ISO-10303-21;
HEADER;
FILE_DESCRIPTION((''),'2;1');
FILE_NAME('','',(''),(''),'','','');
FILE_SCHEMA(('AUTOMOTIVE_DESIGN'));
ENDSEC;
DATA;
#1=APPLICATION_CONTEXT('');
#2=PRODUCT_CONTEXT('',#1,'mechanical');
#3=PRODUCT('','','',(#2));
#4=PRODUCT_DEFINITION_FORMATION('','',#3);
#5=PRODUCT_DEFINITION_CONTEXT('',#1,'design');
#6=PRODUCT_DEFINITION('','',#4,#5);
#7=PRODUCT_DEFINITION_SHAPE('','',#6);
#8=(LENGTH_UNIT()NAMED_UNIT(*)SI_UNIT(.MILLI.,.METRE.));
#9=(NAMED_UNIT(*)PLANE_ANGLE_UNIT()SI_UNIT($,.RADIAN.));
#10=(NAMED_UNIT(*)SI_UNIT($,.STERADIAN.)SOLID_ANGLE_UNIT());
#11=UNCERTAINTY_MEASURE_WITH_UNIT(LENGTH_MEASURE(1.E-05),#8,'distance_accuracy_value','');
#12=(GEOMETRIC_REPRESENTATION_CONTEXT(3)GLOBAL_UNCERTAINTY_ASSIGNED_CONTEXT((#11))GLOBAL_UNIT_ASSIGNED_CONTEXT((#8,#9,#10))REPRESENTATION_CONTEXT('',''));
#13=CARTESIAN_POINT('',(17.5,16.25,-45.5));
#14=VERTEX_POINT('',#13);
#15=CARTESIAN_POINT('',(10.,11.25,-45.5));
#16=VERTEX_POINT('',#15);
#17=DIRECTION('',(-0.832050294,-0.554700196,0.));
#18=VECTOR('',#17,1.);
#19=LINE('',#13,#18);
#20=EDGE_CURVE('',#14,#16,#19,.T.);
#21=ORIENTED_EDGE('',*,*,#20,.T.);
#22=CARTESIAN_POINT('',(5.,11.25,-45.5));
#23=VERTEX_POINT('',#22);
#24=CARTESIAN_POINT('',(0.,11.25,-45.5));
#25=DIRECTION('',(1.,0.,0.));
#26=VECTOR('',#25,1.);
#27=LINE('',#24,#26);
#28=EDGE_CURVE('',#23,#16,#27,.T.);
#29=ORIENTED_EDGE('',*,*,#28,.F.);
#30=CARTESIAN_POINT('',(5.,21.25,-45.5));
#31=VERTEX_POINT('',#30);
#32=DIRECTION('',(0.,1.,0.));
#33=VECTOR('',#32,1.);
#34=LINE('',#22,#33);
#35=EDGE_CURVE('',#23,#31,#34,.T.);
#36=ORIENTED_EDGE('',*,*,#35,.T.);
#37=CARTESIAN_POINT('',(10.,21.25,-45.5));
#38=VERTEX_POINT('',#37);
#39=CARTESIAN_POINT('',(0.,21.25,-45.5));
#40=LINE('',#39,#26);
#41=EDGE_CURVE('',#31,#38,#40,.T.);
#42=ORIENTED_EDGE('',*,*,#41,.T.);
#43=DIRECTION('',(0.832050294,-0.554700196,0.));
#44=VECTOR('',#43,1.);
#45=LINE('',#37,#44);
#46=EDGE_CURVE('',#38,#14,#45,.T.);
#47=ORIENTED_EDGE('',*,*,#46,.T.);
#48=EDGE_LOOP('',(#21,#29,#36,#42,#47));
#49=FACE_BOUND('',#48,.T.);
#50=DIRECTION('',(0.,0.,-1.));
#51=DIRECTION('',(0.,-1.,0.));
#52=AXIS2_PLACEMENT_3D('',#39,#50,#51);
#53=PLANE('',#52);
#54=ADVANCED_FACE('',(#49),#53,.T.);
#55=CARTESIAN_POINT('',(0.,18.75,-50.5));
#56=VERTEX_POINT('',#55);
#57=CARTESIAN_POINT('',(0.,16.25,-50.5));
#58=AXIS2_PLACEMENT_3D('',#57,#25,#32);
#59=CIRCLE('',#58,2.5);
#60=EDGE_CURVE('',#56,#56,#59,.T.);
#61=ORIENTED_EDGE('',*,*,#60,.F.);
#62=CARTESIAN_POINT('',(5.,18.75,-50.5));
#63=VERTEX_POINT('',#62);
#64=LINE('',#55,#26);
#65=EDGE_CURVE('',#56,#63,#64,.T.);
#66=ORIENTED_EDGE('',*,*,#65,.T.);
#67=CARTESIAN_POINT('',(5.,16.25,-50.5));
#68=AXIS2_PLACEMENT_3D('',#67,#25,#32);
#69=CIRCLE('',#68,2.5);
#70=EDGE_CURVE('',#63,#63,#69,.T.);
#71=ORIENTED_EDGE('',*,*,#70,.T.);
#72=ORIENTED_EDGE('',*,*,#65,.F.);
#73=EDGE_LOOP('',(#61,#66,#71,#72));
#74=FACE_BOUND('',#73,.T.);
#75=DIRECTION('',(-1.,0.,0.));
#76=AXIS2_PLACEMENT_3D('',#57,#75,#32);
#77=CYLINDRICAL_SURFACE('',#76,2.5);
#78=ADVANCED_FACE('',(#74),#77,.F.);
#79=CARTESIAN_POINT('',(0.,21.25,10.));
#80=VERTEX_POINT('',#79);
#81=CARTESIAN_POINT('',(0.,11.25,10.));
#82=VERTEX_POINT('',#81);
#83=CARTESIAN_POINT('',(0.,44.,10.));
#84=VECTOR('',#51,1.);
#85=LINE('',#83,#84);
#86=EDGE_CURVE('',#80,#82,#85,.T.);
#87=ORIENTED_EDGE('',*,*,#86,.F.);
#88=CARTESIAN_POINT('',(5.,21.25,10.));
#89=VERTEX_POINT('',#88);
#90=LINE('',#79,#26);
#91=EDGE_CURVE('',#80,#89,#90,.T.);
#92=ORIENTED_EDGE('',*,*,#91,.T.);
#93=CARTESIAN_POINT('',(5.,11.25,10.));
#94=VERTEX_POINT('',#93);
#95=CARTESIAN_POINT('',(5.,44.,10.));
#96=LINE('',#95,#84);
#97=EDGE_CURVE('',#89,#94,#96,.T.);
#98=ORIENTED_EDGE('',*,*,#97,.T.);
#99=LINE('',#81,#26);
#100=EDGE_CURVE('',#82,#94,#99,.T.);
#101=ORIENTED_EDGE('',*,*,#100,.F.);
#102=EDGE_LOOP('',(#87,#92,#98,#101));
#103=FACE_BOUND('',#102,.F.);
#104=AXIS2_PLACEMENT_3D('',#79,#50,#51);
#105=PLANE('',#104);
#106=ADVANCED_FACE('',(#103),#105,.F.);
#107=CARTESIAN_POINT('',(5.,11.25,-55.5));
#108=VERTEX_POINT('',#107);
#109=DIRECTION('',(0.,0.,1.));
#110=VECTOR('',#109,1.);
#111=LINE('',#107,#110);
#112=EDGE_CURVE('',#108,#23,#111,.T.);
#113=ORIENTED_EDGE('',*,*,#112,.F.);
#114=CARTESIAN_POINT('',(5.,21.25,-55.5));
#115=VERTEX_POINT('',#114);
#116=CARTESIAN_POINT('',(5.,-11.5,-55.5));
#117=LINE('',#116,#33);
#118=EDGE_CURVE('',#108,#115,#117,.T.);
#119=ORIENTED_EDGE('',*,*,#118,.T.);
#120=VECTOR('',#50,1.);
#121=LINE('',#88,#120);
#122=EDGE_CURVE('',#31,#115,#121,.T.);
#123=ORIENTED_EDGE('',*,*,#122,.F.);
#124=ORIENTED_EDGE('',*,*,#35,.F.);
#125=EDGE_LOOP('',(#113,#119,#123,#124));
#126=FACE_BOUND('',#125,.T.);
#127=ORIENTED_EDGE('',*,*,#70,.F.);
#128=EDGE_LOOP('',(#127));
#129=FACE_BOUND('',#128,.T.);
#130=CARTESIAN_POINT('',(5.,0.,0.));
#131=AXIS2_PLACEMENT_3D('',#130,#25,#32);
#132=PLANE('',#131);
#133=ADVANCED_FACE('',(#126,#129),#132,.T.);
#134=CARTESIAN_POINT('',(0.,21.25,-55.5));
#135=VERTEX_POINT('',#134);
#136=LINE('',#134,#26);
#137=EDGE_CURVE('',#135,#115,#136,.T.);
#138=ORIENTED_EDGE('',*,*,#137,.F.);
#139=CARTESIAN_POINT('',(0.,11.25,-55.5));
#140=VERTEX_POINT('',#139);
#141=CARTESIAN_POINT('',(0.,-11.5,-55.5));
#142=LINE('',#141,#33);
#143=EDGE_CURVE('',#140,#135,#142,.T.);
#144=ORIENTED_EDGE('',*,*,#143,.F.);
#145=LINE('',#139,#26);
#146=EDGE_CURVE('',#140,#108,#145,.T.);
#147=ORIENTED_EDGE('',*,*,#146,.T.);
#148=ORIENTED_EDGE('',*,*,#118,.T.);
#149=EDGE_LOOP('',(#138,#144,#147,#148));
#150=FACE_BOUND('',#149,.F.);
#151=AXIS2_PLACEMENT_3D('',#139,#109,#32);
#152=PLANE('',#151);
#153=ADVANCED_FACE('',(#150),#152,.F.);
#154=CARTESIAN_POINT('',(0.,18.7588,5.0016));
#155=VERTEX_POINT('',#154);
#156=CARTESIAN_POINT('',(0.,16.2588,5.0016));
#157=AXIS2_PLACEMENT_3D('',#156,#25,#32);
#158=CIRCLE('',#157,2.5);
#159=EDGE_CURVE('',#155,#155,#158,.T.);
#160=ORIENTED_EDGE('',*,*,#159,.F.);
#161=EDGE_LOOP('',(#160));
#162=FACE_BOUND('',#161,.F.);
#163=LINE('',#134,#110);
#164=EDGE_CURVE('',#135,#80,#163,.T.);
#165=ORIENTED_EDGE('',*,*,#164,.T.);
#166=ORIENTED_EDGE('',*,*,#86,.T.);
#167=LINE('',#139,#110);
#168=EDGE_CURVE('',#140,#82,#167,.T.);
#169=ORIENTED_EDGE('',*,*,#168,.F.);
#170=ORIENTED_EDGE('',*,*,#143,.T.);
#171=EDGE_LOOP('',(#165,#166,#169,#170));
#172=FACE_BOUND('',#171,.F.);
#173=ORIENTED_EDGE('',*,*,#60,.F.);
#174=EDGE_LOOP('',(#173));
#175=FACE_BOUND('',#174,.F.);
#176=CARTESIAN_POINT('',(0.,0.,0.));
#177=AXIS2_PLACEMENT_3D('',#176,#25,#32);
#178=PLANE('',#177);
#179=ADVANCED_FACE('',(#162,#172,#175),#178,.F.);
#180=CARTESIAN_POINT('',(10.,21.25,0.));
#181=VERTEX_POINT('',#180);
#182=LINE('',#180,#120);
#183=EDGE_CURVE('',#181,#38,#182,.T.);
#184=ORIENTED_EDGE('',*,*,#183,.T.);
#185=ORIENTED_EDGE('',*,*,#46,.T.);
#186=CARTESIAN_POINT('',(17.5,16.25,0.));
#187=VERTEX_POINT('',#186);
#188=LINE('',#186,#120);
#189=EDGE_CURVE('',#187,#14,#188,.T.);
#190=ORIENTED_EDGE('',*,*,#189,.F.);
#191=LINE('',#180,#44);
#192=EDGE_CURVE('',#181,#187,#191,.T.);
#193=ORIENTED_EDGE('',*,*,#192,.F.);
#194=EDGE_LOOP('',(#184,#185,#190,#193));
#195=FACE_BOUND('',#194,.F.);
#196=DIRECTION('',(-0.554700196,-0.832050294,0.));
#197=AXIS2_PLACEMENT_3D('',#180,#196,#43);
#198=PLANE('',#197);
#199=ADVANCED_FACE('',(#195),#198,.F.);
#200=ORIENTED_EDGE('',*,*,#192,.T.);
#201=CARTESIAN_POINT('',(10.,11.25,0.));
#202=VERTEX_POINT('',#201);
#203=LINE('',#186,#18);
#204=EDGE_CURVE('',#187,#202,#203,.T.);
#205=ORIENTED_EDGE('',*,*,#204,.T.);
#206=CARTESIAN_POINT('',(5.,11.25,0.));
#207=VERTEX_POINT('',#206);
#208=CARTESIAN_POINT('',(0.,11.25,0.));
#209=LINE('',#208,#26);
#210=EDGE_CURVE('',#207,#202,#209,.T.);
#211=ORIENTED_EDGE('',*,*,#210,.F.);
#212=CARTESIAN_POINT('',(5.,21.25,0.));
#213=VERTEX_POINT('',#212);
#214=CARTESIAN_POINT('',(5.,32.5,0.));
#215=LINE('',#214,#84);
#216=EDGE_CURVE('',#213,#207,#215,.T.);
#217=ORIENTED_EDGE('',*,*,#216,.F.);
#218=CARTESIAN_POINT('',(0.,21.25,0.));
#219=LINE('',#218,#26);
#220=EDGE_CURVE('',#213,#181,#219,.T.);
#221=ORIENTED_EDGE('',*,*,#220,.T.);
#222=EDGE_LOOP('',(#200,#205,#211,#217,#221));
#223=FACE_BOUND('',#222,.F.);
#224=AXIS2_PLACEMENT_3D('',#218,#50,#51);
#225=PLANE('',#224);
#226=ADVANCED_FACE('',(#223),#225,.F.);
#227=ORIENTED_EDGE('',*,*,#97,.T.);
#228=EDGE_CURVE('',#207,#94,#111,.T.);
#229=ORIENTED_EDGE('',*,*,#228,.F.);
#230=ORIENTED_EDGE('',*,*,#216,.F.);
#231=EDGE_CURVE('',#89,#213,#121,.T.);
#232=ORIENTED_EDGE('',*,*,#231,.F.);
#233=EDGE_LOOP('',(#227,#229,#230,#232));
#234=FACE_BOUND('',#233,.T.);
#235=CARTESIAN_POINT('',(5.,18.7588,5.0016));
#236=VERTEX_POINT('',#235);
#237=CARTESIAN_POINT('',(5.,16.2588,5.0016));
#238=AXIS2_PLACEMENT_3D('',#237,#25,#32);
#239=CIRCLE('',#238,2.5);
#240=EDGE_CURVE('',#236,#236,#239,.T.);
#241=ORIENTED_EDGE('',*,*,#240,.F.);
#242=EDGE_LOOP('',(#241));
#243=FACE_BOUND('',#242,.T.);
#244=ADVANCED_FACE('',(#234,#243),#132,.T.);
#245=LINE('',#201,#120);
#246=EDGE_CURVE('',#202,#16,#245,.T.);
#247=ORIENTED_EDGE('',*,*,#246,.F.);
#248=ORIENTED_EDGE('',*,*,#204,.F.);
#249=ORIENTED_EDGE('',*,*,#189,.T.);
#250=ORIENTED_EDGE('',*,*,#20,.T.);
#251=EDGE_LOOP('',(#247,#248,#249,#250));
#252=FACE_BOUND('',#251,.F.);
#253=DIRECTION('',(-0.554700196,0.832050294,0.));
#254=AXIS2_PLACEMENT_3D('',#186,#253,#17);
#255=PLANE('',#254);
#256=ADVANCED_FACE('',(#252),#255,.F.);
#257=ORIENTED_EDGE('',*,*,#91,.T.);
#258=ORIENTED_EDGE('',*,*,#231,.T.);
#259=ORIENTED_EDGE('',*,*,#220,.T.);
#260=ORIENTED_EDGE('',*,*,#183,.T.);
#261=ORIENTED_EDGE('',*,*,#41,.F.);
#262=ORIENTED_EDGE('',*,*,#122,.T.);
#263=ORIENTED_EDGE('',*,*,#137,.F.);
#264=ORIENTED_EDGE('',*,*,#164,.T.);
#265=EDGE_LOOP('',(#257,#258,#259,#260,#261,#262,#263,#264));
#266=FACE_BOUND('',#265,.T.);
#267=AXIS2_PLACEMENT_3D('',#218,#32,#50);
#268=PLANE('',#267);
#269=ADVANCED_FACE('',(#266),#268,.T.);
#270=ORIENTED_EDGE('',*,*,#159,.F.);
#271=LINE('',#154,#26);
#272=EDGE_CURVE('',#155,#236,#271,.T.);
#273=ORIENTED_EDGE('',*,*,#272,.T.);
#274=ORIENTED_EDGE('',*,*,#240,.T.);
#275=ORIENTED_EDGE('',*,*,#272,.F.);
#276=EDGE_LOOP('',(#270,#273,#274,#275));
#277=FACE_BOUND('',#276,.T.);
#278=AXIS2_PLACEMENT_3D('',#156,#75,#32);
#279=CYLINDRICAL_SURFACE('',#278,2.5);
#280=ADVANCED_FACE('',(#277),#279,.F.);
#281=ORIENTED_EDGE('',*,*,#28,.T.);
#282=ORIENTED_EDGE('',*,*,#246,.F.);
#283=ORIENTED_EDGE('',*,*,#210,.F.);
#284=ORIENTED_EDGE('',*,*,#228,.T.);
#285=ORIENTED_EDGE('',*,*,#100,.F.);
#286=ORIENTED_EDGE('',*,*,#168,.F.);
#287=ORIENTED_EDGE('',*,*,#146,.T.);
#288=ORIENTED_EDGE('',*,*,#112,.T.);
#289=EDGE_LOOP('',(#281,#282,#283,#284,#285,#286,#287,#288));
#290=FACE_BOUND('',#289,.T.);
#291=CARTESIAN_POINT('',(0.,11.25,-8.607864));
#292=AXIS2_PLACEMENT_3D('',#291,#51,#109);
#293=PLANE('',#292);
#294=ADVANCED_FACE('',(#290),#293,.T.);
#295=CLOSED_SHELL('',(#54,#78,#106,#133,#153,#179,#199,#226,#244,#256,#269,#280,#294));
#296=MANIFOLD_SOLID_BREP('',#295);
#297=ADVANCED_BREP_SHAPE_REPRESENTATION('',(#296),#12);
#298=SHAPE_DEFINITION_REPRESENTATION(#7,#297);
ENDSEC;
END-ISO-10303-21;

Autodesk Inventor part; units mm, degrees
ref_plane "YZ Plane" through (0, 0, 0) normal (1, 0, 0) x (0, 1, 0)
ref_plane "XZ Plane" through (0, 0, 0) normal (0, 1, 0) x (-1, 0, 0)
ref_plane "XY Plane" through (0, 0, 0) normal (0, 0, 1) x (1, 0, 0)
sketch "Sketch1" plane through (0, 0, 0) normal (1, 0, 0) x (0, 1, 0)
  line L0 (-6, -12.5) -> (-6, -12.9)
  arc A0 (-6, -12.9) -> (-5.6, -13.3) centre (-5.6, -12.9) ccw
  line L1 (-5.6, -13.3) -> (-4.9, -13.3)
  arc A1 (-4.9, -13.3) -> (-4.7, -13.1) centre (-4.9, -13.1) ccw
  line L2 (-4.7, -13.1) -> (-4.7, -12.85)
  arc A2 (-4.5, -12.65) -> (-4.7, -12.85) centre (-4.5, -12.85) ccw
  line L3 (-4.5, -12.65) -> (-1.8, -12.65)
  arc A3 (-1.4, -13.05) -> (-1.8, -12.65) centre (-1.8, -13.05) ccw
  line L4 (-1.4, -13.05) -> (-1.4, -18.75)
  line L5 (-1.8, -19.15) -> (-4.5, -19.15)
  arc A4 (-1.8, -19.15) -> (-1.4, -18.75) centre (-1.8, -18.75) ccw
  arc A5 (-4.7, -18.95) -> (-4.5, -19.15) centre (-4.5, -18.95) ccw
  line L6 (-4.7, -18.95) -> (-4.7, -18.7)
  arc A6 (-4.7, -18.7) -> (-4.9, -18.5) centre (-4.9, -18.7) ccw
  line L7 (-4.9, -18.5) -> (-5.6, -18.5)
  arc A7 (-5.6, -18.5) -> (-6, -18.9) centre (-5.6, -18.9) ccw
  line L8 (-6, -18.9) -> (-6, -19.5)
  line L9 (-6.5, -6.5) -> (-6.5, -12.5)
  line L10 (-6.5, -12.5) -> (-2.5, -12.5)
  line L11 (-1.05, -19.5) -> (-6.5, -19.5)
  line L12 (-6.5, -19.5) -> (-6.5, -26)
  line L13 (-6.5, -26) -> (-1.05, -26)
  line L14 (-6, -26) -> (-6, -26.6)
  arc A8 (-6, -26.6) -> (-5.6, -27) centre (-5.6, -26.6) ccw
  line L15 (-5.6, -27) -> (-4.9, -27)
  arc A9 (-4.9, -27) -> (-4.7, -26.8) centre (-4.9, -26.8) ccw
  arc A10 (-4.5, -26.35) -> (-4.7, -26.55) centre (-4.5, -26.55) ccw
  line L16 (-4.7, -26.8) -> (-4.7, -26.55)
  line L17 (-4.5, -26.35) -> (-1.8, -26.35)
  arc A11 (-1.4, -26.75) -> (-1.8, -26.35) centre (-1.8, -26.75) ccw
  line L18 (-1.4, -26.75) -> (-1.4, -32.45)
  arc A12 (-1.8, -32.85) -> (-1.4, -32.45) centre (-1.8, -32.45) ccw
  line L19 (-1.8, -32.85) -> (-4.5, -32.85)
  arc A13 (-4.7, -32.65) -> (-4.5, -32.85) centre (-4.5, -32.65) ccw
  line L20 (-4.7, -32.65) -> (-4.7, -32.4)
  arc A14 (-4.7, -32.4) -> (-4.9, -32.2) centre (-4.9, -32.4) ccw
  line L21 (-4.9, -32.2) -> (-5.6, -32.2)
  arc A15 (-5.6, -32.2) -> (-6, -32.6) centre (-5.6, -32.6) ccw
  line L22 (-6, -32.6) -> (-6, -33)
  line L23 (-2.5, -33) -> (-6.5, -33)
  line L24 (-6.5, -33) -> (-6.5, -39)
  line L25 (32.5, 0) -> (0, 0)
  circle A16 centre (0, -6.5) radius 4.75
  circle A17 centre (32.5, -6.5) radius 4.75
  circle A18 centre (0, -39) radius 4.75
  circle A19 centre (32.5, -39) radius 4.75
  line L26 (39, -26) -> (39, -19.5)
  line L27 (39, -12.5) -> (39, -6.5)
  line L28 (39, -39) -> (39, -33)
  line L29 (26.5, -45.5) -> (32.5, -45.5)
  line L30 (0, -45.5) -> (6, -45.5)
  line L31 (13, -45.5) -> (19.5, -45.5)
  circle A20 centre (16.25, -22.75) radius 15
  circle A21 centre (16.2588, 5.0016) radius 2.5
  circle A22 centre (16.25, -50.5) radius 2.5
  circle A23 centre (16.25, -22.75) radius 5
  circle A24 centre (16.25, -22.75) radius 8.45
  line L32 (24.75, -27.6575) -> (24.75, -17.8425)
  line L33 (44, 10) -> (-11.5, 10)
  line L34 (-11.5, 10) -> (-11.5, -55.5)
  line L35 (-11.5, -55.5) -> (44, -55.5)
  line L36 (44, -55.5) -> (44, 10)
  line L37 (-11.5, 30) -> (44, 30)
  line L38 (-11.5, -75.5) -> (-11.5, 30)
  line L39 (44, 30) -> (44, -75.5)
  line L40 (44, -75.5) -> (-11.5, -75.5)
  circle A25 centre (16.25, -65.5) radius 5
  circle A26 centre (16.25, 20) radius 5
  arc A27 (11.25, -55.5) -> (21.25, -55.5) centre (16.25, -55.5) ccw
  line L41 (21.25, 10) -> (21.25, -55.5)
  line L42 (11.25, -55.5) -> (11.25, 10)
  arc A28 (21.25, 10) -> (11.25, 10) centre (16.25, 10) ccw
  line L43 (21.25, -45.5) -> (11.25, -45.5)
  point P0 (21.25, 0)
  point P1 (11.25, 0)
extrude "Extrusion1" add sketch "Sketch1" along normal blind 10 contours L41 A20 L42 L25 | L41 A24 L42 A20 | L41 A23 L42 A24 | L42 A24 L41 A20 | A20 L41 L43 L31 L42 | A23 | L41 A24 L42 A23
extrude "Extrusion2" add sketch "Sketch1" along normal blind 5 contours L25 L42 L33 L41 | L43 L31 L41 L35 L42
sketch "Sketch2" plane through (10, 11.25, 0) normal (0, 0, 1) x (1, 0, 0)
  line L0 (0, 10) -> (0, 0) projected
  circle A0 centre (0, 5) radius 7.5
  line L1 (0, 5) -> (11.155, 5)
  line L2 (-5, 10) -> (0, 10) projected
  line L3 (0, 10) -> (7.5, 5)
  line L4 (7.5, 5) -> (0, 0)
  point P0 (-10, -11.25)
  dimension "d4" = 15
extrude "Extrusion3" add sketch "Sketch2" against normal up to surface (45.5 mm away) contours L3 L1 L0 | L1 L4 L0
properties part number "Cuchilla"
